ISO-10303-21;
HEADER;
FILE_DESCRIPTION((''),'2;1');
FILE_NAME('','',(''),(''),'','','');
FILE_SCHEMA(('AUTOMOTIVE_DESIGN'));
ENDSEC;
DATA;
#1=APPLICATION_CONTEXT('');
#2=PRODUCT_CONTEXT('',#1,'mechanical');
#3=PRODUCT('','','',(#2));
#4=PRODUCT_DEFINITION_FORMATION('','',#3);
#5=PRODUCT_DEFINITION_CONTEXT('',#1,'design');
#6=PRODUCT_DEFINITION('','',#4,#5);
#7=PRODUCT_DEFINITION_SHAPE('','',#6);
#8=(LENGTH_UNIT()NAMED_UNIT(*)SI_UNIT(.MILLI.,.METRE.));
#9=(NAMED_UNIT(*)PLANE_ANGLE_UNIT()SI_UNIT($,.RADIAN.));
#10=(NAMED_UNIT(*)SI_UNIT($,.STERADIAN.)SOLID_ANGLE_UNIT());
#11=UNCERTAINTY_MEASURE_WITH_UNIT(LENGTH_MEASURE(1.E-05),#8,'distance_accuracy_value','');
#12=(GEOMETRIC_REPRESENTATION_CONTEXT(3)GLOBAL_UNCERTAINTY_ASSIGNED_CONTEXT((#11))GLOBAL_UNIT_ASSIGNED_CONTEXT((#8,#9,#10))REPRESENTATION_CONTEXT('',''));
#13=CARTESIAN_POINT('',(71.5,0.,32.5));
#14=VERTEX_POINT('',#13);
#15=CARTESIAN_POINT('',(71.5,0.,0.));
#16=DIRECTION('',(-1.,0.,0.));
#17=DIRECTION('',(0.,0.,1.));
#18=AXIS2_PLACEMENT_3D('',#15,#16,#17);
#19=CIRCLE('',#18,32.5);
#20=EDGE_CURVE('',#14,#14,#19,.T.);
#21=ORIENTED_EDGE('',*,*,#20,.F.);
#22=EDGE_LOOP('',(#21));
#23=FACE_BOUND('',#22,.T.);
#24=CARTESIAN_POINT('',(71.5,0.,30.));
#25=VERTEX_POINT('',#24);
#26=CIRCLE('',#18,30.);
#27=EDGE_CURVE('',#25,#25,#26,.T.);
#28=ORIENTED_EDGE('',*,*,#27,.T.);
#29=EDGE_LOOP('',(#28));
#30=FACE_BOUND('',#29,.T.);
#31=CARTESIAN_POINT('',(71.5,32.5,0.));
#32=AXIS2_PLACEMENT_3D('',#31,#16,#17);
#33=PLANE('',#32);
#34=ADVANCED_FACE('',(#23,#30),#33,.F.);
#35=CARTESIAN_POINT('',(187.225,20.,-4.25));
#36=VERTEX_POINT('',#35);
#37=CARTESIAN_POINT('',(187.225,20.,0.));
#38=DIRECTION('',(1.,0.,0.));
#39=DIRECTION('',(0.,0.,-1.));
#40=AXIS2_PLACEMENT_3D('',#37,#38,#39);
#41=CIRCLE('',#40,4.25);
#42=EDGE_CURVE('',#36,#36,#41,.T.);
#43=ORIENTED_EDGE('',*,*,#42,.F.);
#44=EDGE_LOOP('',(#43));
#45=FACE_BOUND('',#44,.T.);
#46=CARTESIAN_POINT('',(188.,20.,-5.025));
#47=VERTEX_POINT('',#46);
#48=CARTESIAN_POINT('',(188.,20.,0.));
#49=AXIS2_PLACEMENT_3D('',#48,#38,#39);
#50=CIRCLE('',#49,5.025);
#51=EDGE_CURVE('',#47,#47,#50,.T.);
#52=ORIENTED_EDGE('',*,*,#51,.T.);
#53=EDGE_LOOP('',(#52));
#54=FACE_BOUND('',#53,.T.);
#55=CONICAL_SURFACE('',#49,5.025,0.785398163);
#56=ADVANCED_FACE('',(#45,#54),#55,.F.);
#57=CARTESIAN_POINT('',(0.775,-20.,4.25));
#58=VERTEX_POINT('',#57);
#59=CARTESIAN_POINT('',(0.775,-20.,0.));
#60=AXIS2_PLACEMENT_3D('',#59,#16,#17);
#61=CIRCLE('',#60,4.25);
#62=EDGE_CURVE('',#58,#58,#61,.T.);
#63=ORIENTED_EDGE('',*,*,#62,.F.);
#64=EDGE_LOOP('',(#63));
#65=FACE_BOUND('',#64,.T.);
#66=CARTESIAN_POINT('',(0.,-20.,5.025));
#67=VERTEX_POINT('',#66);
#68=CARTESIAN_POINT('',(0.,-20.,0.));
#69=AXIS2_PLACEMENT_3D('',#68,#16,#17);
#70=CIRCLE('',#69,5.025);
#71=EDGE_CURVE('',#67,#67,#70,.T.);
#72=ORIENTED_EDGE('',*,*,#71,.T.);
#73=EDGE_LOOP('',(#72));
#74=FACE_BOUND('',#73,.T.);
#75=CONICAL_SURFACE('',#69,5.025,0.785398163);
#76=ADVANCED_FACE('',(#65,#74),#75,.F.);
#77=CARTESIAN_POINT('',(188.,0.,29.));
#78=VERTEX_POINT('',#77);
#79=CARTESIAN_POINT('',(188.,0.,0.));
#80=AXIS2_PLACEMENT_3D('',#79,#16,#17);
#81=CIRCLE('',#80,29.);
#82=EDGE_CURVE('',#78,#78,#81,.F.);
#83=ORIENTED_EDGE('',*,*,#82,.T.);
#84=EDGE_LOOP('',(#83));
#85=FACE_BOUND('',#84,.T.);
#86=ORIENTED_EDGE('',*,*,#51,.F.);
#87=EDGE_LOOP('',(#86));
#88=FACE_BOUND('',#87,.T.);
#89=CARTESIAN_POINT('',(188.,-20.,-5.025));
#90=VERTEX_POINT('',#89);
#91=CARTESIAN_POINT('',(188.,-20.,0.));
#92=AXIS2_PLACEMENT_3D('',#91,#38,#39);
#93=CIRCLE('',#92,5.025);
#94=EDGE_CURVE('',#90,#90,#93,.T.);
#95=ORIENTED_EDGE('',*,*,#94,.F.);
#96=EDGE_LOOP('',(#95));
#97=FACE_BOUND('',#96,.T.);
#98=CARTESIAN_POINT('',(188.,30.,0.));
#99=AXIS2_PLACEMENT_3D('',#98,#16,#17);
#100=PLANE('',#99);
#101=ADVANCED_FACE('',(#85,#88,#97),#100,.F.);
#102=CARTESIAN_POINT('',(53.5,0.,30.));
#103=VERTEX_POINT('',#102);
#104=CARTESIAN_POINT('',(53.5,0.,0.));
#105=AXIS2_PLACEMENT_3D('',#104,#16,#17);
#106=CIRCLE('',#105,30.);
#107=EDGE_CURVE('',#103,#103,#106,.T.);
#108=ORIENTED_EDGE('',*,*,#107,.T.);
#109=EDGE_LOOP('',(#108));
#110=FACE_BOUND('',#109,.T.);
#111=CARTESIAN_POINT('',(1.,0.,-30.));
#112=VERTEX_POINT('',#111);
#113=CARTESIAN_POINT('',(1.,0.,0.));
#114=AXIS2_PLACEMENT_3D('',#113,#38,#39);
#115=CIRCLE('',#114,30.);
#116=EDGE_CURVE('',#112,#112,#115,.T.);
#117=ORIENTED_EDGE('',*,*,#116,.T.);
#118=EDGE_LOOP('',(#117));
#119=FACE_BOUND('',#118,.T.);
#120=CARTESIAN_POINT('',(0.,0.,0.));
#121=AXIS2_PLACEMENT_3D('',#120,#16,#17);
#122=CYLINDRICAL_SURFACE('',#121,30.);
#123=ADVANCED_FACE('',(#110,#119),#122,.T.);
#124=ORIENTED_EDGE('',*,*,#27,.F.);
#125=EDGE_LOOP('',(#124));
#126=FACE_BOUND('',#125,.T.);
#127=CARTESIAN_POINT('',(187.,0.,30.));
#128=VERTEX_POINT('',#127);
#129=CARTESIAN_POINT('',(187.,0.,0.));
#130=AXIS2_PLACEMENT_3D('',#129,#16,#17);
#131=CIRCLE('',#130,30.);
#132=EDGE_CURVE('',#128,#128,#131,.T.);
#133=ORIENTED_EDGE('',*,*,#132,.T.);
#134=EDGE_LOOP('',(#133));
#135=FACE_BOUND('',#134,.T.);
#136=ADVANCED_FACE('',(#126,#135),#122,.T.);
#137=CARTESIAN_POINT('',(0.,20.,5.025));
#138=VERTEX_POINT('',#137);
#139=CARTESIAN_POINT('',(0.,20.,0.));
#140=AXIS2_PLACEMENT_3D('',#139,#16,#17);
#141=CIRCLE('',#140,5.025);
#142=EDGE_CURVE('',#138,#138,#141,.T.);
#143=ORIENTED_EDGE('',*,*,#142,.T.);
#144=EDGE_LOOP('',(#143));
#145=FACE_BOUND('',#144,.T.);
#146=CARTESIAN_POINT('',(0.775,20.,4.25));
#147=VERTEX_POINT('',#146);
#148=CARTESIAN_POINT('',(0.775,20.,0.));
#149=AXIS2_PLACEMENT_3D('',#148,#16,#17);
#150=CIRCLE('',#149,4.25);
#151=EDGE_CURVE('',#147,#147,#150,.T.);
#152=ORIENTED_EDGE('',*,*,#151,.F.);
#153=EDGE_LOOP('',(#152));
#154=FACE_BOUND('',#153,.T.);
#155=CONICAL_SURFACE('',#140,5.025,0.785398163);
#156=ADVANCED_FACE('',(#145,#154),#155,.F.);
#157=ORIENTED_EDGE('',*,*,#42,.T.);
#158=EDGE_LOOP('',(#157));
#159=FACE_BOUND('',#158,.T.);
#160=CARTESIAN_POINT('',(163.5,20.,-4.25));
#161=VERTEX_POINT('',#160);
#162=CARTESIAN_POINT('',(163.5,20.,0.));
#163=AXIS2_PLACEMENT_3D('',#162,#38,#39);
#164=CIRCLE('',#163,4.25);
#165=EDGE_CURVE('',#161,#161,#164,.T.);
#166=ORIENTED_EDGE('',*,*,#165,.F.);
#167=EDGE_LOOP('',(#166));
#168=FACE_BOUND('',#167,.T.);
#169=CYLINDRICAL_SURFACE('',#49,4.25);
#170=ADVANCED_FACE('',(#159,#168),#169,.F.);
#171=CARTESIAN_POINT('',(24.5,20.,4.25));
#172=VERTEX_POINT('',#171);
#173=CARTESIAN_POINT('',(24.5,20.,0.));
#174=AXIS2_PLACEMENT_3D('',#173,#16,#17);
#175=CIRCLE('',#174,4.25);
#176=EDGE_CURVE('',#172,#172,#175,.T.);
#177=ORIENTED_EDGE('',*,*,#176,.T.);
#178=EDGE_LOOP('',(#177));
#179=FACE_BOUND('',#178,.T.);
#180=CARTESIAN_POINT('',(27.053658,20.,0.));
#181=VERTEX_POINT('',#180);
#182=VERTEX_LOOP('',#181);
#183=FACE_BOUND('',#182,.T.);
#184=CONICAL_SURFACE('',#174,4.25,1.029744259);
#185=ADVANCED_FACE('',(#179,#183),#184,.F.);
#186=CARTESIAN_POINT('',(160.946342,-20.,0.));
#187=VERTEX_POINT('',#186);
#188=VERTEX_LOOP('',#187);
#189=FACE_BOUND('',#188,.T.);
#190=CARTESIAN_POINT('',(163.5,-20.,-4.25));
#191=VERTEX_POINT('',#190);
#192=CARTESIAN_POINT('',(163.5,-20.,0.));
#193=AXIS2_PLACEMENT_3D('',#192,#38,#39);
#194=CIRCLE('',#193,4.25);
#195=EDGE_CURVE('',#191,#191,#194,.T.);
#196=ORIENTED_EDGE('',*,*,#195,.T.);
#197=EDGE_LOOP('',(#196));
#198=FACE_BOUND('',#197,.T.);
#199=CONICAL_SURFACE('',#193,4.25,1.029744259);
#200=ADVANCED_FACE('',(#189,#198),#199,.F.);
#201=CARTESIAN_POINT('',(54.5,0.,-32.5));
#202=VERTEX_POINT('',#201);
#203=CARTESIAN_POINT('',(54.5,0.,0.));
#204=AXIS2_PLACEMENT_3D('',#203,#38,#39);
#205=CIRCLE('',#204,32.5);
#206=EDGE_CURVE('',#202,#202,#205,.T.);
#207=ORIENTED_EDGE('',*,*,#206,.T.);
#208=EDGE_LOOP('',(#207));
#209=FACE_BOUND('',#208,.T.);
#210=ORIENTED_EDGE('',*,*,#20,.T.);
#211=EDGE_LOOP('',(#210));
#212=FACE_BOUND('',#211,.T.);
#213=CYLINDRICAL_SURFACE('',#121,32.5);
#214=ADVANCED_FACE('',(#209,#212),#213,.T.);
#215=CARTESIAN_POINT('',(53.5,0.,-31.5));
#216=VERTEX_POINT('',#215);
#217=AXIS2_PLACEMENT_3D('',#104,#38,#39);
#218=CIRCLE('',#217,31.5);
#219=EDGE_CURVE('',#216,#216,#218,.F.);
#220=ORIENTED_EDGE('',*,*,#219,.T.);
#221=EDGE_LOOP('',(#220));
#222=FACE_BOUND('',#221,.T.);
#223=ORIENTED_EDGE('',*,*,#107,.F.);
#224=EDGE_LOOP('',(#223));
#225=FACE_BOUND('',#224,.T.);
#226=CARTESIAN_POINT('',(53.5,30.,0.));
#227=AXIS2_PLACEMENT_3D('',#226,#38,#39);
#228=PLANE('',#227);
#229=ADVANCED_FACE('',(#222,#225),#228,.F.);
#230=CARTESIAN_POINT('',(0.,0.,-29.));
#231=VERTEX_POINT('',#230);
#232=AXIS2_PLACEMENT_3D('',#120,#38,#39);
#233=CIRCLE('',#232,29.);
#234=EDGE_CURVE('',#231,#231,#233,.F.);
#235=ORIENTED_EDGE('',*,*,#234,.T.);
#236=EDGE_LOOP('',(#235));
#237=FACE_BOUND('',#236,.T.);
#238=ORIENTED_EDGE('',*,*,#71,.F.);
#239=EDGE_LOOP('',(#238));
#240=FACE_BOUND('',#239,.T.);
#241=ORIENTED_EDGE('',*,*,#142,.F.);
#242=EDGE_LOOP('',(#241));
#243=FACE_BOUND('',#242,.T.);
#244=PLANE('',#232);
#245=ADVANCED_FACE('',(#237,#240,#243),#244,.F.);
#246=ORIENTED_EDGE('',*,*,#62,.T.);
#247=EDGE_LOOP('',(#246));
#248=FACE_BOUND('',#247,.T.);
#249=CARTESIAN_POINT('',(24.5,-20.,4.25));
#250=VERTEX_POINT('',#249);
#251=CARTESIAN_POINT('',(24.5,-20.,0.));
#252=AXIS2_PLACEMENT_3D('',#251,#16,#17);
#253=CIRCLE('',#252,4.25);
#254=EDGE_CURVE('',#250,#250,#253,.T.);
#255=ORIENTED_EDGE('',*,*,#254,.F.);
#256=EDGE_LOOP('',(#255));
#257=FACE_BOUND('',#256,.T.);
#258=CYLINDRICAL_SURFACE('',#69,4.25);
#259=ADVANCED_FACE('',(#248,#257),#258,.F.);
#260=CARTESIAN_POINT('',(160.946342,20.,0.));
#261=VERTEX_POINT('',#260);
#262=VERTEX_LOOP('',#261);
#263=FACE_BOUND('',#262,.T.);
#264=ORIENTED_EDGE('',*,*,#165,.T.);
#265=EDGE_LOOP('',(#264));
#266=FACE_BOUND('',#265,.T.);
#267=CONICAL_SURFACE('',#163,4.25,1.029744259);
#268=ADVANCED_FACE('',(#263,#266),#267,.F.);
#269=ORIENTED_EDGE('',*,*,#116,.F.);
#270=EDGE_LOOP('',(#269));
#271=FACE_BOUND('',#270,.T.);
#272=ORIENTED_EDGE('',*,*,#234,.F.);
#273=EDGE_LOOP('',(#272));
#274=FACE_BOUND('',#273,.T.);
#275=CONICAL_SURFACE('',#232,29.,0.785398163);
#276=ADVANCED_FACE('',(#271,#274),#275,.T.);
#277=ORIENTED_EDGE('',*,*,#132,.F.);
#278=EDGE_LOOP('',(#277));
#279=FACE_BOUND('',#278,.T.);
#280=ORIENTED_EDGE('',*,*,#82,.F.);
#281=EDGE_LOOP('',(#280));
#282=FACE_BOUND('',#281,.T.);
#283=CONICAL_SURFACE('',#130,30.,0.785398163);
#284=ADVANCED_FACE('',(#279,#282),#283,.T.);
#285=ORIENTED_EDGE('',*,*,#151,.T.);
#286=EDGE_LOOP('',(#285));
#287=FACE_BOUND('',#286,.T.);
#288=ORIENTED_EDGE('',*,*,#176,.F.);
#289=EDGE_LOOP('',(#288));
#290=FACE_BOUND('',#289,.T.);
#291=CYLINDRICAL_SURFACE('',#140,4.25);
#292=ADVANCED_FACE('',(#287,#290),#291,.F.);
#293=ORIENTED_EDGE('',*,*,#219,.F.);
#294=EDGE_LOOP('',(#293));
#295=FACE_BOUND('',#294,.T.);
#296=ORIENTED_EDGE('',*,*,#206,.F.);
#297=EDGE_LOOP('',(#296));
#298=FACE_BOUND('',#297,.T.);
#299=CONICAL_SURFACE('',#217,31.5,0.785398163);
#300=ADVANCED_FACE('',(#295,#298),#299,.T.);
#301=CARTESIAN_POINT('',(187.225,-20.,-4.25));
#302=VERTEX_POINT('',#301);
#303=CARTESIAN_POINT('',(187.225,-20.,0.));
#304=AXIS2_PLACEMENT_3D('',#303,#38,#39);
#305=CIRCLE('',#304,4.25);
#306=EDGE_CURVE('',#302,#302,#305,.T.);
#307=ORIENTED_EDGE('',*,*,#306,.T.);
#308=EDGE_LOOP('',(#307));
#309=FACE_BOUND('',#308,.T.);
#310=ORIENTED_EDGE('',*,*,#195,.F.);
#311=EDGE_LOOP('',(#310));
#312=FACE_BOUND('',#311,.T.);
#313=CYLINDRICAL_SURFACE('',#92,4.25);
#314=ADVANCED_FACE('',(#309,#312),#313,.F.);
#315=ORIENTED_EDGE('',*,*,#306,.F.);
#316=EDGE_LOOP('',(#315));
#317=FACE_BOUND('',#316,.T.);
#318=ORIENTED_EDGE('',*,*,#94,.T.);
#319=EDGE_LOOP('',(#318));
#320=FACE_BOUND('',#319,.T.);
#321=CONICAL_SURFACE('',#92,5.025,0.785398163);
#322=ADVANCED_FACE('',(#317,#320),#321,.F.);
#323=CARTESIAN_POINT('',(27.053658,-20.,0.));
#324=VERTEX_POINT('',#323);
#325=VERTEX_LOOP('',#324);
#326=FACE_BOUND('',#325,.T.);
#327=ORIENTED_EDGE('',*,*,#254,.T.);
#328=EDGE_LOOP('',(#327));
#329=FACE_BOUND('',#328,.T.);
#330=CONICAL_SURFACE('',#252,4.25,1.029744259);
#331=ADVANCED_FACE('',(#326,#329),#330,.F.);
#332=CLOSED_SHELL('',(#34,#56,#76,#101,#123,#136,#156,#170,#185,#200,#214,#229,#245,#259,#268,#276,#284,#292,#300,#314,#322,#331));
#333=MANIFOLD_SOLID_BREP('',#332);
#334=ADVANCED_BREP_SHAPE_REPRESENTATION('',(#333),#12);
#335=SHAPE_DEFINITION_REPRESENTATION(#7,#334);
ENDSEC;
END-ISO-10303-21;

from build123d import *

# Parameters (mm, degrees)
M10_TAPPED_HOLE1_D           = 8.5
M10_TAPPED_HOLE1_DEPTH       = 24.5
M10_TAPPED_HOLE1_CSINK_D     = 10.05
M10_TAPPED_HOLE1_CSINK_ANGLE = 90
M10_TAPPED_HOLE1_TIP         = 2.553657631
M10_TAPPED_HOLE2_D           = 8.5
M10_TAPPED_HOLE2_DEPTH       = 24.5
M10_TAPPED_HOLE2_CSINK_D     = 10.05
M10_TAPPED_HOLE2_CSINK_ANGLE = 90
M10_TAPPED_HOLE2_TIP         = 2.553657631
CHAMFER1_SIZE                = 1


with BuildPart() as part:
    # Sketch1 → Revolve1 (revolve)
    with BuildSketch(Plane.XY, mode=Mode.PRIVATE) as revolve1_sk:
        Polygon((0, 0), (0, 30), (53.5, 30), (53.5, 32.5), (71.5, 32.5), (71.5, 30), (188, 30), (188, 0), align=None)
    revolve(revolve1_sk.sketch.rotate(Axis((0, 0, 0), (1, 0, 0)), 90), axis=Axis((0, 0, 0), (1, 0, 0)))

    # M10 Tapped Hole1
    with Locations(Plane(origin=(0, 20, 0), x_dir=(0, 0, -1), z_dir=(-1, 0, 0))):
        with Locations((0, 0), (0, 40)):
            CounterSinkHole(M10_TAPPED_HOLE1_D / 2, M10_TAPPED_HOLE1_CSINK_D / 2, depth=M10_TAPPED_HOLE1_DEPTH, counter_sink_angle=M10_TAPPED_HOLE1_CSINK_ANGLE)
            with Locations((0, 0, -(M10_TAPPED_HOLE1_DEPTH + M10_TAPPED_HOLE1_TIP / 2))):  # 118° drill point
                Cone(0, M10_TAPPED_HOLE1_D / 2, M10_TAPPED_HOLE1_TIP, mode=Mode.SUBTRACT)

    # M10 Tapped Hole2
    with Locations(Plane(origin=(188, 20, 0), x_dir=(0, 0, 1), z_dir=(1, 0, 0))):
        with Locations((0, 0), (0, 40)):
            CounterSinkHole(M10_TAPPED_HOLE2_D / 2, M10_TAPPED_HOLE2_CSINK_D / 2, depth=M10_TAPPED_HOLE2_DEPTH, counter_sink_angle=M10_TAPPED_HOLE2_CSINK_ANGLE)
            with Locations((0, 0, -(M10_TAPPED_HOLE2_DEPTH + M10_TAPPED_HOLE2_TIP / 2))):  # 118° drill point
                Cone(0, M10_TAPPED_HOLE2_D / 2, M10_TAPPED_HOLE2_TIP, mode=Mode.SUBTRACT)

    # Chamfer1
    chamfer1_edges = [part.edges().sort_by_distance(p)[0] for p in [
        (0, 0, -30),
        (53.5, 0, -32.5),
        (188, 0, -30),
    ]]
    chamfer(chamfer1_edges, length=CHAMFER1_SIZE)


solid = part.part
